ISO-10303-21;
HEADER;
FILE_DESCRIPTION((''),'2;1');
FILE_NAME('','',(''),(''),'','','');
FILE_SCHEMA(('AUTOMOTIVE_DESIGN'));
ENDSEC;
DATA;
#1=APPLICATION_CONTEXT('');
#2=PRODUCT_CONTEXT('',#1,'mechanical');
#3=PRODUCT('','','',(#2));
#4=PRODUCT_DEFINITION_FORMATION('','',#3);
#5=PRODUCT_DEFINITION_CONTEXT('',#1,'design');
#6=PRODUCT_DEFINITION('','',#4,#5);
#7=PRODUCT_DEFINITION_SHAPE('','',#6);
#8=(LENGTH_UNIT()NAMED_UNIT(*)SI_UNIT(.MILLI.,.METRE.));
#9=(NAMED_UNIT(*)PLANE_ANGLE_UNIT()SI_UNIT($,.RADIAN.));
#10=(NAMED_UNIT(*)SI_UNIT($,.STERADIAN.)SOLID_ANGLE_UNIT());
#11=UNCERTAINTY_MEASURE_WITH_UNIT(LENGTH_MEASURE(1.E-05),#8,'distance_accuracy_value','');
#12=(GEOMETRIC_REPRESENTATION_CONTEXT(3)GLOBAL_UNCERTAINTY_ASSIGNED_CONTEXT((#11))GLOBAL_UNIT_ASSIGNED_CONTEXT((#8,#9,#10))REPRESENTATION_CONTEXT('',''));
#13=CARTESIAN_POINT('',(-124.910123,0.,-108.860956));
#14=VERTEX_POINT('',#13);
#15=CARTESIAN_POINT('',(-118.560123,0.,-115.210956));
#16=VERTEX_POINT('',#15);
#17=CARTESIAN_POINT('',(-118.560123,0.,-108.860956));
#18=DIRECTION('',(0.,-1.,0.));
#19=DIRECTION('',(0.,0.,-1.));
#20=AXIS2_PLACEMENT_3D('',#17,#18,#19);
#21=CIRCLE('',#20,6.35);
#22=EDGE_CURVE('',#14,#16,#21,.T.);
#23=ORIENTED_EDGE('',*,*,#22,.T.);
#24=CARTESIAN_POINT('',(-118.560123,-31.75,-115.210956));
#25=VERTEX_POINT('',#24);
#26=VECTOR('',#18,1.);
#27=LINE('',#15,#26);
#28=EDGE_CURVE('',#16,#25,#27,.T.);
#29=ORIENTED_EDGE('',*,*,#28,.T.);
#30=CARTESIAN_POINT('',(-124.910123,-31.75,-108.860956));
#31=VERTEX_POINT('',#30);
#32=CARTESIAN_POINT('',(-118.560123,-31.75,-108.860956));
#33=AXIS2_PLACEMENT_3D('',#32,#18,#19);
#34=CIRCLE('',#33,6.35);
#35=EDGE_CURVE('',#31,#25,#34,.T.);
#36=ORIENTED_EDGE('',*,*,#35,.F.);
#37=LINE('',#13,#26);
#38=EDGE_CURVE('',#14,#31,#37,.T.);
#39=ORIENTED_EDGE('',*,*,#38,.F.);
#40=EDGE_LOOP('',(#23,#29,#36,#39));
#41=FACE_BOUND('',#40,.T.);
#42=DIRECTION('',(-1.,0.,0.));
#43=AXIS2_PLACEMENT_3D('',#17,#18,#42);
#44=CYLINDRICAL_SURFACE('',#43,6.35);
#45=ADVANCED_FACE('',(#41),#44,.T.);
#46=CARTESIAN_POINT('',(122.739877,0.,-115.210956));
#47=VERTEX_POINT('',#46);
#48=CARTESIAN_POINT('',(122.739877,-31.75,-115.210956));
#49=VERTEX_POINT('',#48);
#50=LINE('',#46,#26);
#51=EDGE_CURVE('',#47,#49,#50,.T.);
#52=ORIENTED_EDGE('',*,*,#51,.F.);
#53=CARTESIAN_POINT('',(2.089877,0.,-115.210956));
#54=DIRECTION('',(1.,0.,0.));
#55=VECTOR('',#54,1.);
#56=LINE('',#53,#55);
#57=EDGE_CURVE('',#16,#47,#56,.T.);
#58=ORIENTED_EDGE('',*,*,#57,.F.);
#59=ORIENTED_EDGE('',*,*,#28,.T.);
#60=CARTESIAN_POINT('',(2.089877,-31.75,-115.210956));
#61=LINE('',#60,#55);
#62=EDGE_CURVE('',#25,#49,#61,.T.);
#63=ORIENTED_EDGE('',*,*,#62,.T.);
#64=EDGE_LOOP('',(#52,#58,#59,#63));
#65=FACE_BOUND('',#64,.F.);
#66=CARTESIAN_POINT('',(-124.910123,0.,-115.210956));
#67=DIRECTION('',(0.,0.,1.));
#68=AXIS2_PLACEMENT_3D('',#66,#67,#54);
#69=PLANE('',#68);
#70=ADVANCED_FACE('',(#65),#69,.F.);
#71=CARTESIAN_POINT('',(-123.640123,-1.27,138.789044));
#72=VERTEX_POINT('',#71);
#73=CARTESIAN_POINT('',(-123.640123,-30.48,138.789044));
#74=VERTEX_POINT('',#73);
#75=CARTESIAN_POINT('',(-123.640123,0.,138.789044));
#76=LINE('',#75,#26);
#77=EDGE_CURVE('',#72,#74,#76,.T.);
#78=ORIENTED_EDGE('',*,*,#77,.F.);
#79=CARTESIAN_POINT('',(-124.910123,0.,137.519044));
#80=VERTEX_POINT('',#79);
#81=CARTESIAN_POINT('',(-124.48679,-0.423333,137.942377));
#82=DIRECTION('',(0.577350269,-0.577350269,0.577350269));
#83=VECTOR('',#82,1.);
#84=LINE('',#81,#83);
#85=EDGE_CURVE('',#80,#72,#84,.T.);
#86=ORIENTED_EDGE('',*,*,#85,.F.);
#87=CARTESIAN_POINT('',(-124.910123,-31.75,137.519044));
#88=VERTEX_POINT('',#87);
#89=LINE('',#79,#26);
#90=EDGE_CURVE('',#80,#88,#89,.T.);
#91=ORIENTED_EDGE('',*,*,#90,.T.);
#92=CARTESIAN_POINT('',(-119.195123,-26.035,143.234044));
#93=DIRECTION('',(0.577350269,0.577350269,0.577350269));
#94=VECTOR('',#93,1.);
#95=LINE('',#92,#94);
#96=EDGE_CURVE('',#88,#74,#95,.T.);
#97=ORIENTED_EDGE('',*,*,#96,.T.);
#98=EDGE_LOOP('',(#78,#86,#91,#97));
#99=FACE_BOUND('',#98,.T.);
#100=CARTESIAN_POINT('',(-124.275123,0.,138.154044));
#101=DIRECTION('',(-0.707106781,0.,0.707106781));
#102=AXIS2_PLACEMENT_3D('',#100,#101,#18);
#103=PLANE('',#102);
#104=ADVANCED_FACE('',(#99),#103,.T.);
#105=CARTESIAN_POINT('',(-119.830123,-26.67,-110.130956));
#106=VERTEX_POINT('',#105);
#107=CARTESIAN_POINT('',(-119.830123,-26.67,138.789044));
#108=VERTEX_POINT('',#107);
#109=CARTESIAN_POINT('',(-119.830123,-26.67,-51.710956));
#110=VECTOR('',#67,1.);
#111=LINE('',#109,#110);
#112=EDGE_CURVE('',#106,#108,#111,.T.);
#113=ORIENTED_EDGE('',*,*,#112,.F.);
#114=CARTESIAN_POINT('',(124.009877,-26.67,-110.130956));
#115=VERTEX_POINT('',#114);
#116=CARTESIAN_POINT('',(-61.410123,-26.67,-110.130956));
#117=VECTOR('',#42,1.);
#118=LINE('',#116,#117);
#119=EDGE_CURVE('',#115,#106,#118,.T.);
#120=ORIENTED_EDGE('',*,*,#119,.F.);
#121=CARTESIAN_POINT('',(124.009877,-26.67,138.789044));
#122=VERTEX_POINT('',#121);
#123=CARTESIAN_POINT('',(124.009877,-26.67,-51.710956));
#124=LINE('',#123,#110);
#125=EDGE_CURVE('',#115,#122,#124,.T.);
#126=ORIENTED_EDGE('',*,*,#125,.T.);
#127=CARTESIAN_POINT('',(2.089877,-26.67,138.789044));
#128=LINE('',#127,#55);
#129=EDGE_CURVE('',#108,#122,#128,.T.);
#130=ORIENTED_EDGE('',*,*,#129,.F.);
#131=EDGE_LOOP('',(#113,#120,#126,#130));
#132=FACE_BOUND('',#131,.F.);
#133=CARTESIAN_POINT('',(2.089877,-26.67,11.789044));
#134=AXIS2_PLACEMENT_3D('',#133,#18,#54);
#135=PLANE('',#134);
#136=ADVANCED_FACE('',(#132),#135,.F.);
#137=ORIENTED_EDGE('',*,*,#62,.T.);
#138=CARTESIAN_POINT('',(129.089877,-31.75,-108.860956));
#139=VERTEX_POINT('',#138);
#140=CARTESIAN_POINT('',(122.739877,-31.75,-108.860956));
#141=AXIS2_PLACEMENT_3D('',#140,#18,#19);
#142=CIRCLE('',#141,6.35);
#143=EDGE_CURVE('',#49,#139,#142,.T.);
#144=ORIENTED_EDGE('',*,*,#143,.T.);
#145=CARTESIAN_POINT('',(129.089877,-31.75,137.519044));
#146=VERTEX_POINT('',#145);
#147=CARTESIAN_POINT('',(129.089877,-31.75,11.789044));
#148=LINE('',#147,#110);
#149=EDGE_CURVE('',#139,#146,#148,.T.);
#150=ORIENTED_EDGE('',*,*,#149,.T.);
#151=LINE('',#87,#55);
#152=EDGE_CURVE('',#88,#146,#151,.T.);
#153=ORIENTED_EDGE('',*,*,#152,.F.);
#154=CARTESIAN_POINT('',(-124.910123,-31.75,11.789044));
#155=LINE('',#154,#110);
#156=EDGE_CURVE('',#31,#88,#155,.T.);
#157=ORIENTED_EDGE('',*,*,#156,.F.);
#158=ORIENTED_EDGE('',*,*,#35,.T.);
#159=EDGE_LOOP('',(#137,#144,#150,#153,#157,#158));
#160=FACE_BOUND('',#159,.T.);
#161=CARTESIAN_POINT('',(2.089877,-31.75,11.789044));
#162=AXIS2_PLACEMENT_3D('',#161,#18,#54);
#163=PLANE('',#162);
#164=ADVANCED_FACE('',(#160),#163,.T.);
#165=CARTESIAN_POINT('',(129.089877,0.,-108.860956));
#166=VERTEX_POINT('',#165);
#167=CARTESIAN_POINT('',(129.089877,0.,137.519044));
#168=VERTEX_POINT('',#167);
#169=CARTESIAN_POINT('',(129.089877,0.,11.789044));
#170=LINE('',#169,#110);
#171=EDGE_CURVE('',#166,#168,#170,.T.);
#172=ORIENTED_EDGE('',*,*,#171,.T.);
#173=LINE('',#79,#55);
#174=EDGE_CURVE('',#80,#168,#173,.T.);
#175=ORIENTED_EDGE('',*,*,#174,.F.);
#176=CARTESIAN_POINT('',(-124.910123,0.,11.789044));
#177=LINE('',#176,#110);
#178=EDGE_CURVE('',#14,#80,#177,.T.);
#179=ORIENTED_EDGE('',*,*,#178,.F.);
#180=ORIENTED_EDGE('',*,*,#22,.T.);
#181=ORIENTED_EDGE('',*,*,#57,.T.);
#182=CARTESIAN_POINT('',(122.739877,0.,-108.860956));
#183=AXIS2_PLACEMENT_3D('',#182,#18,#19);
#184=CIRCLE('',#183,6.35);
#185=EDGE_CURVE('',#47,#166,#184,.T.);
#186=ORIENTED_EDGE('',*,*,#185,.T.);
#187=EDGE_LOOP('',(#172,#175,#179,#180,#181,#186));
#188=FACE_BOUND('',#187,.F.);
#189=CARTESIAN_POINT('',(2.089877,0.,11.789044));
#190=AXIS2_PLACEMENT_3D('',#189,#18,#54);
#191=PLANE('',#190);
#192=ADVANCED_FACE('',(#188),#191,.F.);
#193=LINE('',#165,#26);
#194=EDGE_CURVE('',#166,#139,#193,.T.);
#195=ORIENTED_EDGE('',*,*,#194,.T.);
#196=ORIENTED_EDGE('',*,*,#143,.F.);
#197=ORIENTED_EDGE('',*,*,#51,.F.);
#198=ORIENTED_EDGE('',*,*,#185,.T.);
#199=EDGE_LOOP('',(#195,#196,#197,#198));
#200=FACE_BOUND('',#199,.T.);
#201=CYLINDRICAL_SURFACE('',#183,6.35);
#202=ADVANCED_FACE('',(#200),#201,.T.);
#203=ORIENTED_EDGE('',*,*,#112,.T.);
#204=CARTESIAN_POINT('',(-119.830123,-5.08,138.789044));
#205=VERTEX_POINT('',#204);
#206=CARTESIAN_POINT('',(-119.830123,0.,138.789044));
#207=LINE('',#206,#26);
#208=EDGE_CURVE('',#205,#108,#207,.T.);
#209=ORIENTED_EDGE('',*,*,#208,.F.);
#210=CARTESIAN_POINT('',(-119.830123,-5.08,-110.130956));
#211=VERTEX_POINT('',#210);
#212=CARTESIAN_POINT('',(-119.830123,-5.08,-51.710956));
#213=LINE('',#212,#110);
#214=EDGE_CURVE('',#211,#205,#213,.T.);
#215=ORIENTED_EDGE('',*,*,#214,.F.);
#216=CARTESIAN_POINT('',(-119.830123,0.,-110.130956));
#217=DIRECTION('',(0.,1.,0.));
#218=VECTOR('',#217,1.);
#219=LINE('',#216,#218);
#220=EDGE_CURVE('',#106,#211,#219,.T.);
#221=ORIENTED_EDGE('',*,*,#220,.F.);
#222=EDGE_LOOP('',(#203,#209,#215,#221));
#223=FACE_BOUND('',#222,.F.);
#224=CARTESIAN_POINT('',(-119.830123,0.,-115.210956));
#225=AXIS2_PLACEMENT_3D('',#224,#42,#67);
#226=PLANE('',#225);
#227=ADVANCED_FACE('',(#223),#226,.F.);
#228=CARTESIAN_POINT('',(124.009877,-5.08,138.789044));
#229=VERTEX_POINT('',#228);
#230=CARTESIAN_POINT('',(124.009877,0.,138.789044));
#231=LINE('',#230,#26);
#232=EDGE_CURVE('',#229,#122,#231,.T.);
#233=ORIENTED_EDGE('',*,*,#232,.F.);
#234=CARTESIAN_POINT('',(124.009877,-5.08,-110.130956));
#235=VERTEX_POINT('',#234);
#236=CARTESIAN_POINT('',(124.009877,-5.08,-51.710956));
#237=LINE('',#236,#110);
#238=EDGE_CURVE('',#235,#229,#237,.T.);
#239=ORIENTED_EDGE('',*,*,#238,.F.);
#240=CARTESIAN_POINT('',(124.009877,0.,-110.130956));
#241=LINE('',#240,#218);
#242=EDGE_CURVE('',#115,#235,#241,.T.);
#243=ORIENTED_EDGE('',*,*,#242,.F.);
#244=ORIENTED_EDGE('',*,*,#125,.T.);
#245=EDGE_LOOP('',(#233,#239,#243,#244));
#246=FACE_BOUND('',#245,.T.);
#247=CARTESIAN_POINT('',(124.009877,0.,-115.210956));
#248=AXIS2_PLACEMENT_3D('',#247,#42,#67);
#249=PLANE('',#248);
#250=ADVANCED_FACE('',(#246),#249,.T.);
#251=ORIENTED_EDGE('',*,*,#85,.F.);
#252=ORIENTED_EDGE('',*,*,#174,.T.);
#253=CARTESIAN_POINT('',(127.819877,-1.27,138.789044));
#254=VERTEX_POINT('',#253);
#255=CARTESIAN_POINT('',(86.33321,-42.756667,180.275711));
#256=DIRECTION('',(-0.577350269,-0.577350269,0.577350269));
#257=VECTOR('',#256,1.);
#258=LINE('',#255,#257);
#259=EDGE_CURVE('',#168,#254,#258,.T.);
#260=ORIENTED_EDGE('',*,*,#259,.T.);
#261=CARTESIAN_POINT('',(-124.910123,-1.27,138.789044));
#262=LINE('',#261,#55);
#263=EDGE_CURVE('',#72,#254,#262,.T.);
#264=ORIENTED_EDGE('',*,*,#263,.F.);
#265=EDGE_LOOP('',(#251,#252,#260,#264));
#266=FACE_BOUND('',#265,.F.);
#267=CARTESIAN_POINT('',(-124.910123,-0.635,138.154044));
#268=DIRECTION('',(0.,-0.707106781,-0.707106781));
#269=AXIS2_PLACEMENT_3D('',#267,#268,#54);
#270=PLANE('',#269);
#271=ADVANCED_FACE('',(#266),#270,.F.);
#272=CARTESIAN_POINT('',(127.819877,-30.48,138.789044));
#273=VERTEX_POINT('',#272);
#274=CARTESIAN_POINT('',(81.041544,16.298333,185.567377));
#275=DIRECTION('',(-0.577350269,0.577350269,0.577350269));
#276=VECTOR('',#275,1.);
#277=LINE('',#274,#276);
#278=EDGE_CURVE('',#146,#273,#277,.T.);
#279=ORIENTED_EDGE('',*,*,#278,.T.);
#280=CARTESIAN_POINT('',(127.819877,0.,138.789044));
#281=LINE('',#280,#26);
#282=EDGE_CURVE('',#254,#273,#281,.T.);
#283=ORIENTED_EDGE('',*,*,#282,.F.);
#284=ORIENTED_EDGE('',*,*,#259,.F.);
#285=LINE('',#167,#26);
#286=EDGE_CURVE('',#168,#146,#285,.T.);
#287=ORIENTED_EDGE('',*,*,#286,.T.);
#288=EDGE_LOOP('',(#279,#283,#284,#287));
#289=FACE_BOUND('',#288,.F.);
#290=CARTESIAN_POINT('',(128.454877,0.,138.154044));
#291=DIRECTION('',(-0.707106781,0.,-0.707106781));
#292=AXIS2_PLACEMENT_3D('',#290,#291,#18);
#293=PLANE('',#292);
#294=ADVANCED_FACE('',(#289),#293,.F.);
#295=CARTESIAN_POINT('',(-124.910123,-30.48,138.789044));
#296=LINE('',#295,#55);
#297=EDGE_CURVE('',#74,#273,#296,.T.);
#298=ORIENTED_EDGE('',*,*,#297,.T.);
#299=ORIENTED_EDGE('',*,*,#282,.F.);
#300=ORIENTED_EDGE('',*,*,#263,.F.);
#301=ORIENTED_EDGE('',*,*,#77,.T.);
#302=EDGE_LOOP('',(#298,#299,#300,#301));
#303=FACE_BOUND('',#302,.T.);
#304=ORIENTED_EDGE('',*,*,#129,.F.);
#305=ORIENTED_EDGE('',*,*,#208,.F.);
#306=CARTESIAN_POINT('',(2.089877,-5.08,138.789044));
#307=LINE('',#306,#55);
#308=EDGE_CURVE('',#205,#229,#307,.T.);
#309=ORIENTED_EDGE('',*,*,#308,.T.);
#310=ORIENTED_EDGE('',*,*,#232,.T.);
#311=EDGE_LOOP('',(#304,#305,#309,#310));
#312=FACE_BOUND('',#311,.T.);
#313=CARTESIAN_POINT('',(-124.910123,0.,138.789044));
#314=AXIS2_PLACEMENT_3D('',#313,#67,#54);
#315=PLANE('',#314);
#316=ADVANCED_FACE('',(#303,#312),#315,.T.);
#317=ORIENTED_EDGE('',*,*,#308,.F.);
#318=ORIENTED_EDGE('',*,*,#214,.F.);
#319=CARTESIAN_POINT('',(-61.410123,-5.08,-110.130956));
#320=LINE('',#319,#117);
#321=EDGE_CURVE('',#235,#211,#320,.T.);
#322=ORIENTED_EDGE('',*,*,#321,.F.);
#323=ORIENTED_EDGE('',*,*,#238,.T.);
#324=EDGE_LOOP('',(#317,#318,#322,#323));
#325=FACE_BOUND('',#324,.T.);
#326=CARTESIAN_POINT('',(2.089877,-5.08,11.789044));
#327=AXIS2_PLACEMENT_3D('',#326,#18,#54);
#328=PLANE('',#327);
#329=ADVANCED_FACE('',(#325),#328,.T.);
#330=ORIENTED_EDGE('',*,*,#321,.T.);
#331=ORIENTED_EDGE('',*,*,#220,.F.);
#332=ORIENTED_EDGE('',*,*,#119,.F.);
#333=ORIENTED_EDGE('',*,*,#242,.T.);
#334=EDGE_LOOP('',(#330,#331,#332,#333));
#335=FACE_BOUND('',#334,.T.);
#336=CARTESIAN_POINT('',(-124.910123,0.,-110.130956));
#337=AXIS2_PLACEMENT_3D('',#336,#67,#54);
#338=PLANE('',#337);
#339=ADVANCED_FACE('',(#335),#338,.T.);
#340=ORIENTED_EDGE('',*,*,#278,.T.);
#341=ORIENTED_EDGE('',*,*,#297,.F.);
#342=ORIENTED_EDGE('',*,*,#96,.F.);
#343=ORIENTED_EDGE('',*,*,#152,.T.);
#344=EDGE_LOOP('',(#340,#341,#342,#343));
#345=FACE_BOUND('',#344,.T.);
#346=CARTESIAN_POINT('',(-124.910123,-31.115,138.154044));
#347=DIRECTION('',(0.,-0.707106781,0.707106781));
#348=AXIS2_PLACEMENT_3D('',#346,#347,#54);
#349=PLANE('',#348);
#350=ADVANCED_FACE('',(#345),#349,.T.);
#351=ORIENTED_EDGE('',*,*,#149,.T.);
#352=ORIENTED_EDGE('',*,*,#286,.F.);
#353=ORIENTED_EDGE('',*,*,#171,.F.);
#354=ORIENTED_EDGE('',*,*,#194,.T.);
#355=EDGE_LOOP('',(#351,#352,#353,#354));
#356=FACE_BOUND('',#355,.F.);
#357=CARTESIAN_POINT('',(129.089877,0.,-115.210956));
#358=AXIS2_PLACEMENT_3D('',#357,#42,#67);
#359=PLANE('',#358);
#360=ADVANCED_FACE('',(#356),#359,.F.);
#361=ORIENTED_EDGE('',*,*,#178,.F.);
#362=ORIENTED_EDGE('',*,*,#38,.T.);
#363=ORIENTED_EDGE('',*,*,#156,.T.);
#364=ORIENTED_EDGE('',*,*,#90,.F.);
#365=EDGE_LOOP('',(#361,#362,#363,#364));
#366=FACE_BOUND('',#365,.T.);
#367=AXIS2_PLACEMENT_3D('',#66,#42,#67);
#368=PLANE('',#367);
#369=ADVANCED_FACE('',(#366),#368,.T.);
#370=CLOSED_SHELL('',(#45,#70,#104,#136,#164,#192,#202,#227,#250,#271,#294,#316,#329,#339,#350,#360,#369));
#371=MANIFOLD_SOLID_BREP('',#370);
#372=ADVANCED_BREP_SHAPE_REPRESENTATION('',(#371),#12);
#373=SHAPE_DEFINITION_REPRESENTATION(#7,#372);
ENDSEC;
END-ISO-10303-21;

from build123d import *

# Parameters (mm, degrees)
F0_W     = 254
F0_H     = 254
F1_DEPTH = 31.75
F2_T     = -5.08
F3_SIZE  = 1.27
F4_R     = 6.35


with BuildPart() as f1:
    # F0 (on Front) → F1 (new body)
    with BuildSketch(Plane.XZ):
        with Locations((2.089877, 11.789044)):
            Rectangle(F0_W, F0_H)
    extrude(amount=F1_DEPTH)

    # F2
    f2_openings = [f1.faces().sort_by_distance(p)[0] for p in [
        (2.089877, -15.875, 138.789044),
    ]]
    offset(amount=F2_T, openings=f2_openings)

    # F3
    f3_edges = [f1.edges().sort_by_distance(p)[0] for p in [
        (2.089877, -31.75, 138.789044),
        (-124.910123, -15.875, 138.789044),
        (2.089877, 0, 138.789044),
        (129.089877, -15.875, 138.789044),
    ]]
    chamfer(f3_edges, length=F3_SIZE)

    # F4
    f4_edges = [f1.edges().sort_by_distance(p)[0] for p in [
        (129.089877, -15.875, -115.210956),
        (-124.910123, -15.875, -115.210956),
    ]]
    fillet(f4_edges, radius=F4_R)


solid = f1.part
